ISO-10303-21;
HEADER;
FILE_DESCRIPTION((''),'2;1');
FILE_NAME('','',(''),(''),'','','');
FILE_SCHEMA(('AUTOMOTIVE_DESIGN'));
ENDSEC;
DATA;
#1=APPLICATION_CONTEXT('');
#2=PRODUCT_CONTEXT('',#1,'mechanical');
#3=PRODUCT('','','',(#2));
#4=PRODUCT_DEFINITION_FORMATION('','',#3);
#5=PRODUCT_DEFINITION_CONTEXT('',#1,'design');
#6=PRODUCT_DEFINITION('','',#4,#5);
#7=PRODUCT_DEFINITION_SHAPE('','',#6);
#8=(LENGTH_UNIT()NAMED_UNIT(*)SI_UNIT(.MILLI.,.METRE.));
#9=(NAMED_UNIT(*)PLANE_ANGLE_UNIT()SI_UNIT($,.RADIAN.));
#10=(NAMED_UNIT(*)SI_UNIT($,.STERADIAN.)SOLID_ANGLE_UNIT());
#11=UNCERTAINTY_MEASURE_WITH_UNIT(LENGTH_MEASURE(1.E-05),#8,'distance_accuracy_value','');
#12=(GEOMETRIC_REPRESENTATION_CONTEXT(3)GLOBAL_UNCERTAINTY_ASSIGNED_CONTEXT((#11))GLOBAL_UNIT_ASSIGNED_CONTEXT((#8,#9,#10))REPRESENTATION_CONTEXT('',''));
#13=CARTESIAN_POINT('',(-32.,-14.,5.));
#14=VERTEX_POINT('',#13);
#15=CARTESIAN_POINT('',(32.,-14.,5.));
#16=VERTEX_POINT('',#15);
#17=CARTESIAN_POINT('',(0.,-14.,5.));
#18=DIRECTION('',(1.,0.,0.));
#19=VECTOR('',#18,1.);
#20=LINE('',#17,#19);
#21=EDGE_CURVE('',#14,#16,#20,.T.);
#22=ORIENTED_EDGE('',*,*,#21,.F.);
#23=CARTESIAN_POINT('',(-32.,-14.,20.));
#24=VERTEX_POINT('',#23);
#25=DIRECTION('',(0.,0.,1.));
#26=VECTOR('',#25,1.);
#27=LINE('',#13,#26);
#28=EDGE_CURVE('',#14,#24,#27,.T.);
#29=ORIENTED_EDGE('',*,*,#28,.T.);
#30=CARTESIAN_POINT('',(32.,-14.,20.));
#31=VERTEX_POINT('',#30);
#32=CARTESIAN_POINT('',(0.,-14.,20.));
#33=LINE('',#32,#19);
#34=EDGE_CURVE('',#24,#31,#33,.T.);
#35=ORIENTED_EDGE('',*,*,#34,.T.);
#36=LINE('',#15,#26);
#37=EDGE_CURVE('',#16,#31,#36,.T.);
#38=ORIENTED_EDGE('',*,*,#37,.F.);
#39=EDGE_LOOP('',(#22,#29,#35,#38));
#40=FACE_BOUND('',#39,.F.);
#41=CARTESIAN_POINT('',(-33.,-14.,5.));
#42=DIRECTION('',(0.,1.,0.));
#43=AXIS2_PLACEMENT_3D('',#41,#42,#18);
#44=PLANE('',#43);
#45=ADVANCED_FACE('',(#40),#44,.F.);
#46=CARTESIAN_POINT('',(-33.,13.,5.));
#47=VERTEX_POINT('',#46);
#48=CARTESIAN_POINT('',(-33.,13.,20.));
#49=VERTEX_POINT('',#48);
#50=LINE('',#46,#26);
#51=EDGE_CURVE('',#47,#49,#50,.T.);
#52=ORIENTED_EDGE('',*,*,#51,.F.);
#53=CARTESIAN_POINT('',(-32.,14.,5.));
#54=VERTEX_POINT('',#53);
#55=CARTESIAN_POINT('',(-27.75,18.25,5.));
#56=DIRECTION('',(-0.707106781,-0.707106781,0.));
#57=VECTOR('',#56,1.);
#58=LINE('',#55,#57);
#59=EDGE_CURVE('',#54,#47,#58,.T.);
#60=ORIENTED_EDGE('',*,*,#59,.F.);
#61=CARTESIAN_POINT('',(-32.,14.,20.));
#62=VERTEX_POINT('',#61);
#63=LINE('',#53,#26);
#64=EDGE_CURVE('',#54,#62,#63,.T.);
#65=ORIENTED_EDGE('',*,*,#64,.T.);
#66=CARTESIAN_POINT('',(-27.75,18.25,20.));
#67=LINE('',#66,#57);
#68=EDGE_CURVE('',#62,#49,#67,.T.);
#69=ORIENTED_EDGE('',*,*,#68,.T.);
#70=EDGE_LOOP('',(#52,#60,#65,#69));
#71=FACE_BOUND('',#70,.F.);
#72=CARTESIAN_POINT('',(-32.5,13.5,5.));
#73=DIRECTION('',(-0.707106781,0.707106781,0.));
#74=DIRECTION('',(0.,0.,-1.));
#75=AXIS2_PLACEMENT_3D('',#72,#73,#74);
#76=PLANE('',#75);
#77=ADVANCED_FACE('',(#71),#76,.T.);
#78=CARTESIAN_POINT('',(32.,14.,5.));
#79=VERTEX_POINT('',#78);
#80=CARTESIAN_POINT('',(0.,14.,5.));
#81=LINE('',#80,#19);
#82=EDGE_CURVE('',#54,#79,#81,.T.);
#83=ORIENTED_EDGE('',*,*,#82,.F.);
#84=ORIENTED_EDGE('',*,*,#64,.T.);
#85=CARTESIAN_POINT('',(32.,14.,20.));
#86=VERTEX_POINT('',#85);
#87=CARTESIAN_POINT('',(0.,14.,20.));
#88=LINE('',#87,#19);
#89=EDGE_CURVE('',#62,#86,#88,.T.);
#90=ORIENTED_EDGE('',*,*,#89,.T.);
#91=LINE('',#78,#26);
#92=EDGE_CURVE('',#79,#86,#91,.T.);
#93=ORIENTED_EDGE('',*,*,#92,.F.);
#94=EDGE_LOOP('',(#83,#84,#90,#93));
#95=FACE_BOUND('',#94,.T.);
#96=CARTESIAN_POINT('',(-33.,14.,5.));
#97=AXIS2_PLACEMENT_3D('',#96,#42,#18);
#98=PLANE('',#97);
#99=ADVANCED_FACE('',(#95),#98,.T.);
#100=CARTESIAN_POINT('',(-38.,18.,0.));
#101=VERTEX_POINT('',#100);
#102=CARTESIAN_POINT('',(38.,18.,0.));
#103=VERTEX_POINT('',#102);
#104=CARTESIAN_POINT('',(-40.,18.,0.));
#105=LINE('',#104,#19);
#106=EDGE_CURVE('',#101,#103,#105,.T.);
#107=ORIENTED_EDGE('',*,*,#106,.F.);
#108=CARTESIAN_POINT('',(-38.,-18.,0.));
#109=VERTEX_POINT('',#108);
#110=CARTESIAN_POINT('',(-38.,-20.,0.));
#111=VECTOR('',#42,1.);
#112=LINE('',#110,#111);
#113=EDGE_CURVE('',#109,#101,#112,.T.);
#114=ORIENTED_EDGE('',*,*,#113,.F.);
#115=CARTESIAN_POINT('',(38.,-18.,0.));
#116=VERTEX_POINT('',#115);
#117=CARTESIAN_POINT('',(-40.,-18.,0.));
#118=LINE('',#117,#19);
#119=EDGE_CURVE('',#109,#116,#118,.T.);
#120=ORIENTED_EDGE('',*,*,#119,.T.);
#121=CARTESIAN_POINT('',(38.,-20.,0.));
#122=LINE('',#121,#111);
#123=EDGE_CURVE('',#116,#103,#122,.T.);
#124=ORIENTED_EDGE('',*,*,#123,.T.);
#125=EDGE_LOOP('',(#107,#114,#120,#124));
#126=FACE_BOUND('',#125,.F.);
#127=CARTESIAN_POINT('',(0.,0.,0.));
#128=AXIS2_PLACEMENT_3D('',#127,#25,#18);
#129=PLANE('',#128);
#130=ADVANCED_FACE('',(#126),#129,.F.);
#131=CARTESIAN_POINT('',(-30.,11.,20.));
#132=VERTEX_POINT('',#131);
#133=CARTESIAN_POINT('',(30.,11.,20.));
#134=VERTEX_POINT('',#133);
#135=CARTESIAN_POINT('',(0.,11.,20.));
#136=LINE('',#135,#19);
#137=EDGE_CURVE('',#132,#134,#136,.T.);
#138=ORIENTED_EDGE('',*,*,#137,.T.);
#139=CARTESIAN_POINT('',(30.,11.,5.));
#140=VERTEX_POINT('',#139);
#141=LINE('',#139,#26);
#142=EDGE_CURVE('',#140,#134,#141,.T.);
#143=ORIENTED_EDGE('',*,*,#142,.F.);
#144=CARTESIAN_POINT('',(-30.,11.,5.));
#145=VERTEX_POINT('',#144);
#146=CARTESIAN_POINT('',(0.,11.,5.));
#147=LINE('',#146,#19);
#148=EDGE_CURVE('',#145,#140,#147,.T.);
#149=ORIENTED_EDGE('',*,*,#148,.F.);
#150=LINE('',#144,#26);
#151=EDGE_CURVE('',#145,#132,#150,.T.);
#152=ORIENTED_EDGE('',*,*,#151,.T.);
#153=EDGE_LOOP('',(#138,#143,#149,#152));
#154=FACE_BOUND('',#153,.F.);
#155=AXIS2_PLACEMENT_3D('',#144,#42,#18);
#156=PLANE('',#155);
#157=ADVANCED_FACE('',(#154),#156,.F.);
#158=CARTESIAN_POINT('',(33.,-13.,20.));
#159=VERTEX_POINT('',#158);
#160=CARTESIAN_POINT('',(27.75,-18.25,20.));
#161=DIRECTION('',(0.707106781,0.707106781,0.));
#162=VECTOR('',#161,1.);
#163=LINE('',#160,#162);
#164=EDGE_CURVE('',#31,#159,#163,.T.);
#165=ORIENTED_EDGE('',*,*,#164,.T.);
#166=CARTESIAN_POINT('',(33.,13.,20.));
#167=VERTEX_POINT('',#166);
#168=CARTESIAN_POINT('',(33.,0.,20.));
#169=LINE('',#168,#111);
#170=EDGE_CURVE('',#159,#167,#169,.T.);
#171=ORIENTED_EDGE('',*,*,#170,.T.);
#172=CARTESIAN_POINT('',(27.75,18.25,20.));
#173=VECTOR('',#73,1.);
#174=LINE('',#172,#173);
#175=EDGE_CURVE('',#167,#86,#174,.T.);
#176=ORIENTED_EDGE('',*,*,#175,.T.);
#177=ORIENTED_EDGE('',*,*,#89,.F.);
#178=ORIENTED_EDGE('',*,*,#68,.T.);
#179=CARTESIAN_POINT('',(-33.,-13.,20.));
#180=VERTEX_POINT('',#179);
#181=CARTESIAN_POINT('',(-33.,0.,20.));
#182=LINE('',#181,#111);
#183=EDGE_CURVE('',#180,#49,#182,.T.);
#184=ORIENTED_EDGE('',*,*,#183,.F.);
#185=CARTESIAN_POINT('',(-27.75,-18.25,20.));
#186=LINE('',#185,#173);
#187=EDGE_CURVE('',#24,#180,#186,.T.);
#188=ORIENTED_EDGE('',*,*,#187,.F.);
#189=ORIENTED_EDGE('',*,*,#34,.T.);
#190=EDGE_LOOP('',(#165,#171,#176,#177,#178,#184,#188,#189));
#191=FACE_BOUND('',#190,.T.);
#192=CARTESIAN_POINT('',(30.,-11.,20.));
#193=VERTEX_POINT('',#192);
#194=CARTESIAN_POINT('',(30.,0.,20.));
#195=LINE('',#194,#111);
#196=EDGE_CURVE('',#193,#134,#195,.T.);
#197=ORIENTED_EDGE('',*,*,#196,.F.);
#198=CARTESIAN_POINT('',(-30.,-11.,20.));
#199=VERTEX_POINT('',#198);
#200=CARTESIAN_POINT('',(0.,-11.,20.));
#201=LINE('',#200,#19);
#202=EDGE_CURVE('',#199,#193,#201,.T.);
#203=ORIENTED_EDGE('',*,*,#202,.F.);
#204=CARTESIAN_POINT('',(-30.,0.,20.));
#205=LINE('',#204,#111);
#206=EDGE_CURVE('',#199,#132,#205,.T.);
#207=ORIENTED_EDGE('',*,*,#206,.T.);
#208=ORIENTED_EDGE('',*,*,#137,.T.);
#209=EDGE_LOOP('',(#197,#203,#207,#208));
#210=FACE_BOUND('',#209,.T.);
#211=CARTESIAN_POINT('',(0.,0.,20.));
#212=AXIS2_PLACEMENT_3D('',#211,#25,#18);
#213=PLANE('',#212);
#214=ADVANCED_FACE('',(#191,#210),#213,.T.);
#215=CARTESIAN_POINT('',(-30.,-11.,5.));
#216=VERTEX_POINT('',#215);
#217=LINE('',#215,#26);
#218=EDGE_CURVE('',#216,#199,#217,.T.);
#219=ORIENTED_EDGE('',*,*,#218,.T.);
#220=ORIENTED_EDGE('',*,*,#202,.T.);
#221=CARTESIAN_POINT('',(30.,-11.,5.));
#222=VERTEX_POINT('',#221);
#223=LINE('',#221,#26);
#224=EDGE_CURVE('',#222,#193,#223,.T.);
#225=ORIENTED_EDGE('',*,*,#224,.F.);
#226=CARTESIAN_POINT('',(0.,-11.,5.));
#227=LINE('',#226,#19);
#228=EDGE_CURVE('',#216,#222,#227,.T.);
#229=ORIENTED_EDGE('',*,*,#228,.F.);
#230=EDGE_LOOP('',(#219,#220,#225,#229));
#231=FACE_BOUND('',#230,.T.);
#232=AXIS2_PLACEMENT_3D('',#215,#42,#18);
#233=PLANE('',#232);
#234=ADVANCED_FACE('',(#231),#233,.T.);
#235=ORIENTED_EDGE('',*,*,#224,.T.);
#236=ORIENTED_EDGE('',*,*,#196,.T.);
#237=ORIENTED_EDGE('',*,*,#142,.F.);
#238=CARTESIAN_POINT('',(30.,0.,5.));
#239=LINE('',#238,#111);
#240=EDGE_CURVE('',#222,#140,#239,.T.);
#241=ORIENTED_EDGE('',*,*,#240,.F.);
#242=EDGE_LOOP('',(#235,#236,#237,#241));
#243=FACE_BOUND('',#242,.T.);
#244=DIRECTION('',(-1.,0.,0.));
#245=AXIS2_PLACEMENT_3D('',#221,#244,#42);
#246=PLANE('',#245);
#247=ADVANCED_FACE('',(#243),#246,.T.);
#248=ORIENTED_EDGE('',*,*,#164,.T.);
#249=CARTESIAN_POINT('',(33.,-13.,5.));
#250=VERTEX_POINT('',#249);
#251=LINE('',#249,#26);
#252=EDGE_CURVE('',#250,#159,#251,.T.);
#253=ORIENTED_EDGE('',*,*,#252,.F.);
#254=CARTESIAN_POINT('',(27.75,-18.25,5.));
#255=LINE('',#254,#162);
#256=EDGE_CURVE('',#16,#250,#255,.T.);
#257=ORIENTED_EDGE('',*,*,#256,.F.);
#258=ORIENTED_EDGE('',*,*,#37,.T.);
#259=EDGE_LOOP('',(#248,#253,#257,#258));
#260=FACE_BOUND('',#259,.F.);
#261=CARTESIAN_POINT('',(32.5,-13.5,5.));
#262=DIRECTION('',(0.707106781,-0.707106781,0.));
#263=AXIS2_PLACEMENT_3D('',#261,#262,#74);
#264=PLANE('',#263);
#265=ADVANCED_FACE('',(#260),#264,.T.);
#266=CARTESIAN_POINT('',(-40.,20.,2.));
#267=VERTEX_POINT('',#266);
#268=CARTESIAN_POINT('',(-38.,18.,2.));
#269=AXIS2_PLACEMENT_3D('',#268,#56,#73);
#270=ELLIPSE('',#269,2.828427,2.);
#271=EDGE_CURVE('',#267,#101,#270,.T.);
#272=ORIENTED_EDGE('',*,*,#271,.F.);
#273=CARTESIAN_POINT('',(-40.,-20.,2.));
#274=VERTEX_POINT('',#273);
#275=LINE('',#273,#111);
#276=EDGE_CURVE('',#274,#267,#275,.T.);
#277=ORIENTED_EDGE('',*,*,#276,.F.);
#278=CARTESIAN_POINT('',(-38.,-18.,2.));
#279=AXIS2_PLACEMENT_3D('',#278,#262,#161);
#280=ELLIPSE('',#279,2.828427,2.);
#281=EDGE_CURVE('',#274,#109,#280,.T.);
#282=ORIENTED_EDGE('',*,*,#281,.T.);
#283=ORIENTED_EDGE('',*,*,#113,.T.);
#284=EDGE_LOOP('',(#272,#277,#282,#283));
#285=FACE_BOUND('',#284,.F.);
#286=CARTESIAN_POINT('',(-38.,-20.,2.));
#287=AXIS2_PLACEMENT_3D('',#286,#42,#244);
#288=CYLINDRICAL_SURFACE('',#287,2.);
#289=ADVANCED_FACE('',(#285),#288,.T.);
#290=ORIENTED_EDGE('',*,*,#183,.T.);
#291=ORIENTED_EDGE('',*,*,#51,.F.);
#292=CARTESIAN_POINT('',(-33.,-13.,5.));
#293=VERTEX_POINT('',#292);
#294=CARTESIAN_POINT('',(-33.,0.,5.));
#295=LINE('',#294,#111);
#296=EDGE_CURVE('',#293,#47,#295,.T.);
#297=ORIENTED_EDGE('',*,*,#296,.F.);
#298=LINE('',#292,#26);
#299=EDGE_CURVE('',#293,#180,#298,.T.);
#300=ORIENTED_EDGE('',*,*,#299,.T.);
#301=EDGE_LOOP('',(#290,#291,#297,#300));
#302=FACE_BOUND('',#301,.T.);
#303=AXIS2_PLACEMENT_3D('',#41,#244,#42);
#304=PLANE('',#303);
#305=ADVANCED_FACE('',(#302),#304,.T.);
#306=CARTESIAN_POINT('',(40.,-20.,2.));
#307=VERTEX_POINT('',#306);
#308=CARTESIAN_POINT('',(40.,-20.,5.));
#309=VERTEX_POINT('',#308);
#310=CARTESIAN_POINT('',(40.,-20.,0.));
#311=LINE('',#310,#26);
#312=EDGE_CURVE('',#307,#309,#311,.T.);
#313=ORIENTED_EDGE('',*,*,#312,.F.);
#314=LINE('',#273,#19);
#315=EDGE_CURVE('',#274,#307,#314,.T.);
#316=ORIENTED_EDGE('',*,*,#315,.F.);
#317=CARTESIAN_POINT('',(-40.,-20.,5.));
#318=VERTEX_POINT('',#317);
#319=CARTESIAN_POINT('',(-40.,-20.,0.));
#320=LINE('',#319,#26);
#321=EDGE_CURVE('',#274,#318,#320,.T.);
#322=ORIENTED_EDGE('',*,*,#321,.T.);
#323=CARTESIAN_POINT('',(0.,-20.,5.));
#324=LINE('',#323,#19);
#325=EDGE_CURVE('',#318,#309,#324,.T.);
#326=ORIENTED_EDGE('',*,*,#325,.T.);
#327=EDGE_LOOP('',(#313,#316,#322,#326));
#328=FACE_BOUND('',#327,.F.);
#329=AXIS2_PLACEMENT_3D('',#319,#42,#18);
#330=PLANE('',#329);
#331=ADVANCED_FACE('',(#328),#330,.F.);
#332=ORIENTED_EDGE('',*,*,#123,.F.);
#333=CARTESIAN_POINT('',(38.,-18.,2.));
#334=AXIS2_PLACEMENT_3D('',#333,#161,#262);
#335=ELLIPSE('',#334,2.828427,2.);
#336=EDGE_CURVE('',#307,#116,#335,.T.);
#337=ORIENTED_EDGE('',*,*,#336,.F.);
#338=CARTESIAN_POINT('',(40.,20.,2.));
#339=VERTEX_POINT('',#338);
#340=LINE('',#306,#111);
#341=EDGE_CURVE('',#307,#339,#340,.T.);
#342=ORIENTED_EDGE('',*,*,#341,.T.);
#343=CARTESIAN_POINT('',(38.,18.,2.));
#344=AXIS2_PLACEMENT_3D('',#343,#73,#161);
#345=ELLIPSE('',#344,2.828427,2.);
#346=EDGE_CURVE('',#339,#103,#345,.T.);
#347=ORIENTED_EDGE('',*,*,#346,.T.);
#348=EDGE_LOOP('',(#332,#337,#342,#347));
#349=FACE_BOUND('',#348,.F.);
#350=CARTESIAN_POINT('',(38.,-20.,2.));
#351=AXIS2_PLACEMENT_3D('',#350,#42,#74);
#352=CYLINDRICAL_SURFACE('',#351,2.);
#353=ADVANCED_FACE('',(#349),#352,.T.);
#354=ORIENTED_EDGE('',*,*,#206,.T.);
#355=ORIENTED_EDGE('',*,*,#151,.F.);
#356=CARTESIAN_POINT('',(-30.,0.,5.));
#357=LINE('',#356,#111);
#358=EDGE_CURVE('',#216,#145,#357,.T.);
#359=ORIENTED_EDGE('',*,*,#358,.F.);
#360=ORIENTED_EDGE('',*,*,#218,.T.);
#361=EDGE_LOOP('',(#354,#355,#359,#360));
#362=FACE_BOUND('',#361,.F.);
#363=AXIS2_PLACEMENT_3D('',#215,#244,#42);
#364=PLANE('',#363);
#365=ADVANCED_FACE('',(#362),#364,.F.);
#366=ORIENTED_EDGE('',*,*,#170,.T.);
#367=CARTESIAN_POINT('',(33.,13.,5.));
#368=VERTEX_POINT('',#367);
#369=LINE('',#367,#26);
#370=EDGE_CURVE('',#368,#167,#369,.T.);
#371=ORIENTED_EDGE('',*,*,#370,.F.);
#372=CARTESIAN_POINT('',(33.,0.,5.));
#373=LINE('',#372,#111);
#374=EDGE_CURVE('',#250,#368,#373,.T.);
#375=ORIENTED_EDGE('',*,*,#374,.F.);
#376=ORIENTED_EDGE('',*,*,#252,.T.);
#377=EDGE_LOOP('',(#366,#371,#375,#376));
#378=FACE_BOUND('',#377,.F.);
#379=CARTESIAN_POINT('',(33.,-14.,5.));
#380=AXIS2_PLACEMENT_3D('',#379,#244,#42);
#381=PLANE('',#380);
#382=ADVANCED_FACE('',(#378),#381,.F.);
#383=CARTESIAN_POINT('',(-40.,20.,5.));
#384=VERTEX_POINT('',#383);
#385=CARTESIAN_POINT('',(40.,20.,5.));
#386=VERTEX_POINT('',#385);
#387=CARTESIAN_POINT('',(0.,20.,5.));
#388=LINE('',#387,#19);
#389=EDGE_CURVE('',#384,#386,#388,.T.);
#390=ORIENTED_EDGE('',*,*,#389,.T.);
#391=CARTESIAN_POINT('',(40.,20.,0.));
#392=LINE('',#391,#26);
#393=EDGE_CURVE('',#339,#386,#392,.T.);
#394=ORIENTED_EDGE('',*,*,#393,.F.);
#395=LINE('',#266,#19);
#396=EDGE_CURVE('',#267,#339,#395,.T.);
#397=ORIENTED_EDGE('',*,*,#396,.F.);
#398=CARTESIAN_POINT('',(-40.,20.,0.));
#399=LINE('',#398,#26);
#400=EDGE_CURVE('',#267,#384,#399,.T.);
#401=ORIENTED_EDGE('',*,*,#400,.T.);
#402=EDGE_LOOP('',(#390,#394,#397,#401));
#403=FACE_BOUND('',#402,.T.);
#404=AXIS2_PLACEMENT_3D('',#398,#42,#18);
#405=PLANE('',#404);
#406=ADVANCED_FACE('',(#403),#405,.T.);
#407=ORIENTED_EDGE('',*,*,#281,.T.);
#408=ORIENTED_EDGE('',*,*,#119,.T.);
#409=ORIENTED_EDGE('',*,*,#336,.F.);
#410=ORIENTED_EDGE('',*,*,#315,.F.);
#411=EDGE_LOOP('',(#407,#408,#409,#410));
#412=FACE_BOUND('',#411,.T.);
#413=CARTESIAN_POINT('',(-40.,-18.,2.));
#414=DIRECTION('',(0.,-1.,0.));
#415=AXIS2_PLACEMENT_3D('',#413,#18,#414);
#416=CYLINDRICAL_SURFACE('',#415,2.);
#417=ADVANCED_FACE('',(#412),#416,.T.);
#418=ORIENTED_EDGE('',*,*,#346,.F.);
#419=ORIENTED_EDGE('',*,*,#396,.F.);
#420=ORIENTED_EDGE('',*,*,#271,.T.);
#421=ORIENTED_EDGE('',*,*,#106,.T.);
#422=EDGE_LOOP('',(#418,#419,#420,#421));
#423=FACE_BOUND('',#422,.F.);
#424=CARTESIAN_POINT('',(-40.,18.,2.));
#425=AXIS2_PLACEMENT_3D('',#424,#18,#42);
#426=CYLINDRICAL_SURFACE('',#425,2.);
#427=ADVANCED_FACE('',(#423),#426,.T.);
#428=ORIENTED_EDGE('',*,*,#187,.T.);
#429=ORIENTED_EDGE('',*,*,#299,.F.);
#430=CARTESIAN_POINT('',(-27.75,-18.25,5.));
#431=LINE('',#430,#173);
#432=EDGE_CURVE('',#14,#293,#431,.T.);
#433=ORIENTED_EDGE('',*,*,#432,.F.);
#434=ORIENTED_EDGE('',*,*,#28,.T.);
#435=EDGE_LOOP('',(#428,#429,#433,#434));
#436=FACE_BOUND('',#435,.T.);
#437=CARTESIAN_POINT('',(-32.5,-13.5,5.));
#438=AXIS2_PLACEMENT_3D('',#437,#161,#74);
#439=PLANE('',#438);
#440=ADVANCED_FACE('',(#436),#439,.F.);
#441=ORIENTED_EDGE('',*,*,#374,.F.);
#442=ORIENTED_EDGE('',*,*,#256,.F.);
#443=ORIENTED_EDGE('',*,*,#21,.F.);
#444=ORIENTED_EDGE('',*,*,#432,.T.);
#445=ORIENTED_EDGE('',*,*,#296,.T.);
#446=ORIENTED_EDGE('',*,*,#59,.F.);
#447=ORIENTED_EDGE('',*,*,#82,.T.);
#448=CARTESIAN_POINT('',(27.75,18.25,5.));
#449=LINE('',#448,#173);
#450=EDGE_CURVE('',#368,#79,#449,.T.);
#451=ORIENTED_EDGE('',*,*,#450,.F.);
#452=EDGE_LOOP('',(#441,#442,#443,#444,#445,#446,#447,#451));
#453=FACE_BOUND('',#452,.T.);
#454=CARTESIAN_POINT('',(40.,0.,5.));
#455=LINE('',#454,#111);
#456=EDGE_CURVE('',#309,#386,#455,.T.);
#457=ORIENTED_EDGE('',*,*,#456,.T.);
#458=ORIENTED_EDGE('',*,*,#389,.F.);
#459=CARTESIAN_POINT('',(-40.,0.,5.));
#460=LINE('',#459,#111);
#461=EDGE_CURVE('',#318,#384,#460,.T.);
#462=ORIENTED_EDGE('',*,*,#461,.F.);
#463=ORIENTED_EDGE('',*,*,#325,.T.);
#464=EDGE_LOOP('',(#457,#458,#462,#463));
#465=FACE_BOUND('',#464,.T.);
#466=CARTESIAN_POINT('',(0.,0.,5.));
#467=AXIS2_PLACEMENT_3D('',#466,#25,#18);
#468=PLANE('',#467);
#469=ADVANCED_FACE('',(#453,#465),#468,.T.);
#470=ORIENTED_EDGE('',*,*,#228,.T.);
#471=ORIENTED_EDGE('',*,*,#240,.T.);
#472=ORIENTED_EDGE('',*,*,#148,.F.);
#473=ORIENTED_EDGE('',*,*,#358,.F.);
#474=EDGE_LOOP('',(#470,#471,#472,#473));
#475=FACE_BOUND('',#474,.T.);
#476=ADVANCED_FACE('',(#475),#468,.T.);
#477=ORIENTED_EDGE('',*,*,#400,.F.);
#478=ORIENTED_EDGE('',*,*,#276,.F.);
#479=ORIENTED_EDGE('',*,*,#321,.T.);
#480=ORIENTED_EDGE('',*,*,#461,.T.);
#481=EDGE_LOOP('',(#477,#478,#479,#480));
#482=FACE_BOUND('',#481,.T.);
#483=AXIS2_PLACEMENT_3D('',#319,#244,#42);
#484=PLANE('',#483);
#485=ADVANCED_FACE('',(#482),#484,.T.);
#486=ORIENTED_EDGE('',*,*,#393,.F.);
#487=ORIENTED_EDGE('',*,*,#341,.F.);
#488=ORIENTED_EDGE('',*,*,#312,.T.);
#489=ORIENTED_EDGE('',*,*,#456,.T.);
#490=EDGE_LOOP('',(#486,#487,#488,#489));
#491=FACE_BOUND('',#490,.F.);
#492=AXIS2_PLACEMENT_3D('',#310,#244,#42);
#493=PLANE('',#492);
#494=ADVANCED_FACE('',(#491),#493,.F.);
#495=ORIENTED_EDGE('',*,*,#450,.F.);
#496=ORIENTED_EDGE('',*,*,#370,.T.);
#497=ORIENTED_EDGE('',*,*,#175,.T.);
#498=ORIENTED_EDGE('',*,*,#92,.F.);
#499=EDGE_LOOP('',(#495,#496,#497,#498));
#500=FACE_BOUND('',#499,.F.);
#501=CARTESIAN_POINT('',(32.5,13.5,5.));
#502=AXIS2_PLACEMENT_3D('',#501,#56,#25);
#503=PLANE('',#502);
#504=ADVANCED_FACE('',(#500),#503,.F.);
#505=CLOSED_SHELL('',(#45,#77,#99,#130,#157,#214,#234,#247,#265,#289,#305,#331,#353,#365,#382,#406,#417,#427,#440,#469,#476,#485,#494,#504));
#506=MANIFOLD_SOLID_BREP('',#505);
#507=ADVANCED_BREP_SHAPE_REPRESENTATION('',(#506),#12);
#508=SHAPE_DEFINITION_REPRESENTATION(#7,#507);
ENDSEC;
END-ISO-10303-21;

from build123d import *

# Parameters (mm, degrees)
F0_W     = 80
F0_H     = 40
F1_DEPTH = 5
F2_W     = 66
F2_H     = 28
F2_W_2   = 60
F2_H_2   = 22
F3_DEPTH = 15
F4_R     = 2
F5_SIZE  = 1


with BuildPart() as f1:
    # F0 (on Top) → F1 (new body)
    with BuildSketch(Plane.XY):
        Rectangle(F0_W, F0_H)
    extrude(amount=F1_DEPTH)

    # F2 (on face) → F3 (join)
    with BuildSketch(Plane.XY.offset(5)):
        Rectangle(F2_W, F2_H)
        Rectangle(F2_W_2, F2_H_2, mode=Mode.SUBTRACT)
    extrude(amount=F3_DEPTH)

    # F4
    f4_edges = [f1.edges().sort_by_distance(p)[0] for p in [
        (0, -20, 0),
        (-40, 0, 0),
        (0, 20, 0),
        (40, 0, 0),
    ]]
    fillet(f4_edges, radius=F4_R)

    # F5
    f5_edges = [f1.edges().sort_by_distance(p)[0] for p in [
        (-33, -14, 12.5),
        (-33, 14, 12.5),
        (33, -14, 12.5),
        (33, 14, 12.5),
    ]]
    chamfer(f5_edges, length=F5_SIZE)


solid = f1.part
